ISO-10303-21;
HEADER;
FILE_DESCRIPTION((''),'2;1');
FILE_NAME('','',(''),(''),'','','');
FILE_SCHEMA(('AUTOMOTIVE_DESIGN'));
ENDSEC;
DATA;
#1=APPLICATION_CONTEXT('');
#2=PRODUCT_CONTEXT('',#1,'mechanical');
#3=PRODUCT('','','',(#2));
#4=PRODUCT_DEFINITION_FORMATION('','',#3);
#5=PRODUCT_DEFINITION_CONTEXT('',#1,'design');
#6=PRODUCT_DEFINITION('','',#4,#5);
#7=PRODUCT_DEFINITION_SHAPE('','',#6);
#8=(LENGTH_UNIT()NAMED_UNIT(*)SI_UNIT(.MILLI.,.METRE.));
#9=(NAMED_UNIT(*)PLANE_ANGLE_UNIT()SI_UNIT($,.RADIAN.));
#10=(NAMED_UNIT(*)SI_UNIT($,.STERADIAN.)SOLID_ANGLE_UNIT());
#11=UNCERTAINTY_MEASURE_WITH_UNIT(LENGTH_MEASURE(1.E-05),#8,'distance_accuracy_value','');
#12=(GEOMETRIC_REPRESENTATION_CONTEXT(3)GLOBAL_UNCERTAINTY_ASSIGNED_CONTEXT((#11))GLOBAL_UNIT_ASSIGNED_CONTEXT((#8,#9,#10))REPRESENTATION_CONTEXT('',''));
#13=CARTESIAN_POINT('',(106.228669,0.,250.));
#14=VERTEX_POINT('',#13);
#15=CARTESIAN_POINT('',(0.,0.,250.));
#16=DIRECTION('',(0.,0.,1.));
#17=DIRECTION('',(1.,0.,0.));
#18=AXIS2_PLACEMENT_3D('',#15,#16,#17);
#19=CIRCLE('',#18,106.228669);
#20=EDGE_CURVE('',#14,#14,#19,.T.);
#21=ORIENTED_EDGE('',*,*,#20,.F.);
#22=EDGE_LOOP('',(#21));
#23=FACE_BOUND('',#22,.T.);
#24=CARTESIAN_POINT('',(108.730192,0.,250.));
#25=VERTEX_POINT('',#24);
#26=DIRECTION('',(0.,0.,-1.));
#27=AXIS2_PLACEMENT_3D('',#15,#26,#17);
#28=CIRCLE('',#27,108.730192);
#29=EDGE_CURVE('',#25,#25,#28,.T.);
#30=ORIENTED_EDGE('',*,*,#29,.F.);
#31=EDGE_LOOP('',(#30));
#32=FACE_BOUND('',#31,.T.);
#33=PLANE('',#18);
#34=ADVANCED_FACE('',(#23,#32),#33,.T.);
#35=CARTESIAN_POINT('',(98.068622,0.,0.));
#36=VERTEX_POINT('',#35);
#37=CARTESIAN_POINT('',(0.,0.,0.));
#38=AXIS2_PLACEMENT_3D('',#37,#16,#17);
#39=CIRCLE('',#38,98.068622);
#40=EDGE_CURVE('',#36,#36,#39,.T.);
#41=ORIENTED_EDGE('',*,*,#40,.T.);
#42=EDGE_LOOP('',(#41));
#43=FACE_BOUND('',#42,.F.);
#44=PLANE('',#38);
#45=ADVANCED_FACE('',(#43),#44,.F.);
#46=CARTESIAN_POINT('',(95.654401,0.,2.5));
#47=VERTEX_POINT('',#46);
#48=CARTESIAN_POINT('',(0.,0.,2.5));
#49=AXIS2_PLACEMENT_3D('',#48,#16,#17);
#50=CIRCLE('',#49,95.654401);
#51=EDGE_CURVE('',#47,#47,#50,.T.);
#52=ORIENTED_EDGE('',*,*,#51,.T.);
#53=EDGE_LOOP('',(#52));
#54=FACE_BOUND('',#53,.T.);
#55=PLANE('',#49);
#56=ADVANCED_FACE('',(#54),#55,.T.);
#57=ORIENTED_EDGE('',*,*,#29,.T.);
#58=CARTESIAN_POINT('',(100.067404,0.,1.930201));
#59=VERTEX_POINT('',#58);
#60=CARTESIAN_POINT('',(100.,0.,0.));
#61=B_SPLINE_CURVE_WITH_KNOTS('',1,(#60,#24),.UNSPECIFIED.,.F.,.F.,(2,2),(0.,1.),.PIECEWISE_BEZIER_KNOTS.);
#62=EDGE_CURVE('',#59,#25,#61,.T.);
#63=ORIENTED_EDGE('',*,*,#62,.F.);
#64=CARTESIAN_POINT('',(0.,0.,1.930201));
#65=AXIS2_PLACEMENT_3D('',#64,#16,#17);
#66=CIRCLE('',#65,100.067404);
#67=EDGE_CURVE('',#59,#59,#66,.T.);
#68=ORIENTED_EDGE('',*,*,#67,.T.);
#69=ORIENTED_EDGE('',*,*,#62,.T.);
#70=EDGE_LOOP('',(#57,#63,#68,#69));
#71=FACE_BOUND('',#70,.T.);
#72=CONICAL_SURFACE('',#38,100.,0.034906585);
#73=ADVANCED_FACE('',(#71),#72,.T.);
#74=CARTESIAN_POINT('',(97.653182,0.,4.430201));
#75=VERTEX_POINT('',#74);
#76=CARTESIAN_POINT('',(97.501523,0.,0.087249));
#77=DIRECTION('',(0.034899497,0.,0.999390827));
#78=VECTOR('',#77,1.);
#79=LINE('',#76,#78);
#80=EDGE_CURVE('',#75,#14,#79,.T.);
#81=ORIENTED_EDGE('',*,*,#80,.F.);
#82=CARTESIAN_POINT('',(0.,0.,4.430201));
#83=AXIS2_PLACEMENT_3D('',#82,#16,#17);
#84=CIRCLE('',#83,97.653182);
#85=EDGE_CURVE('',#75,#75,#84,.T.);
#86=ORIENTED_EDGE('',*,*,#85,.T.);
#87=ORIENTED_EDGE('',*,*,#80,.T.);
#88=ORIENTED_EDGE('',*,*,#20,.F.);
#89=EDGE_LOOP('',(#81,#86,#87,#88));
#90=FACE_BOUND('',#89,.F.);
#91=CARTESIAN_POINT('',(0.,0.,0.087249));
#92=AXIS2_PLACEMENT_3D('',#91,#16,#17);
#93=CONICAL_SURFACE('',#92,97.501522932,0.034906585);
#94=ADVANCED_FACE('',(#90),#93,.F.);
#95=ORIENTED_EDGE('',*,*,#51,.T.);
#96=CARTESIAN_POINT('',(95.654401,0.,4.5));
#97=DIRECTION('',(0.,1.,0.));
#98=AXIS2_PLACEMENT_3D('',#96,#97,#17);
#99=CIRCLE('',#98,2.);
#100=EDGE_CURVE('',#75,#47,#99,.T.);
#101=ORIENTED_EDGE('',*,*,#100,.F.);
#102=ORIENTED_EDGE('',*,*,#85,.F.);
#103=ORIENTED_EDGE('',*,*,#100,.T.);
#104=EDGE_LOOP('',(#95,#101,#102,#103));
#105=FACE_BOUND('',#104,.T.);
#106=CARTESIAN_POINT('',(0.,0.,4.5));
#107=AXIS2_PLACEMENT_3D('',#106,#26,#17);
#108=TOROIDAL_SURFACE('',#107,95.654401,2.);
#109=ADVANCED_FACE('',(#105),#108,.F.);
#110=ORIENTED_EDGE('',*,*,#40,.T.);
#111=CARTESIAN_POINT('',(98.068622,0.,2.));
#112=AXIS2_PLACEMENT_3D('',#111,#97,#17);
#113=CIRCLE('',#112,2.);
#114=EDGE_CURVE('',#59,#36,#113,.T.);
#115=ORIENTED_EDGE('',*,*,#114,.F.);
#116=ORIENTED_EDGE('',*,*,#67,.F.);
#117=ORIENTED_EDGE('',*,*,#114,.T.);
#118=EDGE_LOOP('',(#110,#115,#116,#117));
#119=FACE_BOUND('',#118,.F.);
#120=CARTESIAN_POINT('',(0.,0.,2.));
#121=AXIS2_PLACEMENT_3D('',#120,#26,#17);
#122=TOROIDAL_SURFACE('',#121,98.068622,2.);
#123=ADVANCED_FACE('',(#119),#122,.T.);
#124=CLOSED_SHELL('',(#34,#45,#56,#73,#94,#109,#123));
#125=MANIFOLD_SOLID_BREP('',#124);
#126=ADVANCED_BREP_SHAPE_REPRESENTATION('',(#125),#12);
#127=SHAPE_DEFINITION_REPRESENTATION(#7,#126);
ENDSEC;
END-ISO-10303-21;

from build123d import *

# Parameters (mm, degrees)
F0_R     = 100
F1_DEPTH = 250
F1_TAPER = -2
F2_T     = -2.5
F3_R     = 2


with BuildPart() as f1:
    # F0 (on Top) → F1 (new body)
    with BuildSketch(Plane.XY):
        Circle(F0_R)
    extrude(amount=F1_DEPTH, taper=F1_TAPER)

    # F2
    f2_openings = [f1.faces().sort_by_distance(p)[0] for p in [
        (0, 0, 250),
    ]]
    offset(amount=F2_T, openings=f2_openings, kind=Kind.INTERSECTION)

    # F3
    f3_edges = [f1.edges().sort_by_distance(p)[0] for p in [
        (-100, 0, 0),
        (-97.585778, 0, 2.5),
    ]]
    fillet(f3_edges, radius=F3_R)


solid = f1.part
